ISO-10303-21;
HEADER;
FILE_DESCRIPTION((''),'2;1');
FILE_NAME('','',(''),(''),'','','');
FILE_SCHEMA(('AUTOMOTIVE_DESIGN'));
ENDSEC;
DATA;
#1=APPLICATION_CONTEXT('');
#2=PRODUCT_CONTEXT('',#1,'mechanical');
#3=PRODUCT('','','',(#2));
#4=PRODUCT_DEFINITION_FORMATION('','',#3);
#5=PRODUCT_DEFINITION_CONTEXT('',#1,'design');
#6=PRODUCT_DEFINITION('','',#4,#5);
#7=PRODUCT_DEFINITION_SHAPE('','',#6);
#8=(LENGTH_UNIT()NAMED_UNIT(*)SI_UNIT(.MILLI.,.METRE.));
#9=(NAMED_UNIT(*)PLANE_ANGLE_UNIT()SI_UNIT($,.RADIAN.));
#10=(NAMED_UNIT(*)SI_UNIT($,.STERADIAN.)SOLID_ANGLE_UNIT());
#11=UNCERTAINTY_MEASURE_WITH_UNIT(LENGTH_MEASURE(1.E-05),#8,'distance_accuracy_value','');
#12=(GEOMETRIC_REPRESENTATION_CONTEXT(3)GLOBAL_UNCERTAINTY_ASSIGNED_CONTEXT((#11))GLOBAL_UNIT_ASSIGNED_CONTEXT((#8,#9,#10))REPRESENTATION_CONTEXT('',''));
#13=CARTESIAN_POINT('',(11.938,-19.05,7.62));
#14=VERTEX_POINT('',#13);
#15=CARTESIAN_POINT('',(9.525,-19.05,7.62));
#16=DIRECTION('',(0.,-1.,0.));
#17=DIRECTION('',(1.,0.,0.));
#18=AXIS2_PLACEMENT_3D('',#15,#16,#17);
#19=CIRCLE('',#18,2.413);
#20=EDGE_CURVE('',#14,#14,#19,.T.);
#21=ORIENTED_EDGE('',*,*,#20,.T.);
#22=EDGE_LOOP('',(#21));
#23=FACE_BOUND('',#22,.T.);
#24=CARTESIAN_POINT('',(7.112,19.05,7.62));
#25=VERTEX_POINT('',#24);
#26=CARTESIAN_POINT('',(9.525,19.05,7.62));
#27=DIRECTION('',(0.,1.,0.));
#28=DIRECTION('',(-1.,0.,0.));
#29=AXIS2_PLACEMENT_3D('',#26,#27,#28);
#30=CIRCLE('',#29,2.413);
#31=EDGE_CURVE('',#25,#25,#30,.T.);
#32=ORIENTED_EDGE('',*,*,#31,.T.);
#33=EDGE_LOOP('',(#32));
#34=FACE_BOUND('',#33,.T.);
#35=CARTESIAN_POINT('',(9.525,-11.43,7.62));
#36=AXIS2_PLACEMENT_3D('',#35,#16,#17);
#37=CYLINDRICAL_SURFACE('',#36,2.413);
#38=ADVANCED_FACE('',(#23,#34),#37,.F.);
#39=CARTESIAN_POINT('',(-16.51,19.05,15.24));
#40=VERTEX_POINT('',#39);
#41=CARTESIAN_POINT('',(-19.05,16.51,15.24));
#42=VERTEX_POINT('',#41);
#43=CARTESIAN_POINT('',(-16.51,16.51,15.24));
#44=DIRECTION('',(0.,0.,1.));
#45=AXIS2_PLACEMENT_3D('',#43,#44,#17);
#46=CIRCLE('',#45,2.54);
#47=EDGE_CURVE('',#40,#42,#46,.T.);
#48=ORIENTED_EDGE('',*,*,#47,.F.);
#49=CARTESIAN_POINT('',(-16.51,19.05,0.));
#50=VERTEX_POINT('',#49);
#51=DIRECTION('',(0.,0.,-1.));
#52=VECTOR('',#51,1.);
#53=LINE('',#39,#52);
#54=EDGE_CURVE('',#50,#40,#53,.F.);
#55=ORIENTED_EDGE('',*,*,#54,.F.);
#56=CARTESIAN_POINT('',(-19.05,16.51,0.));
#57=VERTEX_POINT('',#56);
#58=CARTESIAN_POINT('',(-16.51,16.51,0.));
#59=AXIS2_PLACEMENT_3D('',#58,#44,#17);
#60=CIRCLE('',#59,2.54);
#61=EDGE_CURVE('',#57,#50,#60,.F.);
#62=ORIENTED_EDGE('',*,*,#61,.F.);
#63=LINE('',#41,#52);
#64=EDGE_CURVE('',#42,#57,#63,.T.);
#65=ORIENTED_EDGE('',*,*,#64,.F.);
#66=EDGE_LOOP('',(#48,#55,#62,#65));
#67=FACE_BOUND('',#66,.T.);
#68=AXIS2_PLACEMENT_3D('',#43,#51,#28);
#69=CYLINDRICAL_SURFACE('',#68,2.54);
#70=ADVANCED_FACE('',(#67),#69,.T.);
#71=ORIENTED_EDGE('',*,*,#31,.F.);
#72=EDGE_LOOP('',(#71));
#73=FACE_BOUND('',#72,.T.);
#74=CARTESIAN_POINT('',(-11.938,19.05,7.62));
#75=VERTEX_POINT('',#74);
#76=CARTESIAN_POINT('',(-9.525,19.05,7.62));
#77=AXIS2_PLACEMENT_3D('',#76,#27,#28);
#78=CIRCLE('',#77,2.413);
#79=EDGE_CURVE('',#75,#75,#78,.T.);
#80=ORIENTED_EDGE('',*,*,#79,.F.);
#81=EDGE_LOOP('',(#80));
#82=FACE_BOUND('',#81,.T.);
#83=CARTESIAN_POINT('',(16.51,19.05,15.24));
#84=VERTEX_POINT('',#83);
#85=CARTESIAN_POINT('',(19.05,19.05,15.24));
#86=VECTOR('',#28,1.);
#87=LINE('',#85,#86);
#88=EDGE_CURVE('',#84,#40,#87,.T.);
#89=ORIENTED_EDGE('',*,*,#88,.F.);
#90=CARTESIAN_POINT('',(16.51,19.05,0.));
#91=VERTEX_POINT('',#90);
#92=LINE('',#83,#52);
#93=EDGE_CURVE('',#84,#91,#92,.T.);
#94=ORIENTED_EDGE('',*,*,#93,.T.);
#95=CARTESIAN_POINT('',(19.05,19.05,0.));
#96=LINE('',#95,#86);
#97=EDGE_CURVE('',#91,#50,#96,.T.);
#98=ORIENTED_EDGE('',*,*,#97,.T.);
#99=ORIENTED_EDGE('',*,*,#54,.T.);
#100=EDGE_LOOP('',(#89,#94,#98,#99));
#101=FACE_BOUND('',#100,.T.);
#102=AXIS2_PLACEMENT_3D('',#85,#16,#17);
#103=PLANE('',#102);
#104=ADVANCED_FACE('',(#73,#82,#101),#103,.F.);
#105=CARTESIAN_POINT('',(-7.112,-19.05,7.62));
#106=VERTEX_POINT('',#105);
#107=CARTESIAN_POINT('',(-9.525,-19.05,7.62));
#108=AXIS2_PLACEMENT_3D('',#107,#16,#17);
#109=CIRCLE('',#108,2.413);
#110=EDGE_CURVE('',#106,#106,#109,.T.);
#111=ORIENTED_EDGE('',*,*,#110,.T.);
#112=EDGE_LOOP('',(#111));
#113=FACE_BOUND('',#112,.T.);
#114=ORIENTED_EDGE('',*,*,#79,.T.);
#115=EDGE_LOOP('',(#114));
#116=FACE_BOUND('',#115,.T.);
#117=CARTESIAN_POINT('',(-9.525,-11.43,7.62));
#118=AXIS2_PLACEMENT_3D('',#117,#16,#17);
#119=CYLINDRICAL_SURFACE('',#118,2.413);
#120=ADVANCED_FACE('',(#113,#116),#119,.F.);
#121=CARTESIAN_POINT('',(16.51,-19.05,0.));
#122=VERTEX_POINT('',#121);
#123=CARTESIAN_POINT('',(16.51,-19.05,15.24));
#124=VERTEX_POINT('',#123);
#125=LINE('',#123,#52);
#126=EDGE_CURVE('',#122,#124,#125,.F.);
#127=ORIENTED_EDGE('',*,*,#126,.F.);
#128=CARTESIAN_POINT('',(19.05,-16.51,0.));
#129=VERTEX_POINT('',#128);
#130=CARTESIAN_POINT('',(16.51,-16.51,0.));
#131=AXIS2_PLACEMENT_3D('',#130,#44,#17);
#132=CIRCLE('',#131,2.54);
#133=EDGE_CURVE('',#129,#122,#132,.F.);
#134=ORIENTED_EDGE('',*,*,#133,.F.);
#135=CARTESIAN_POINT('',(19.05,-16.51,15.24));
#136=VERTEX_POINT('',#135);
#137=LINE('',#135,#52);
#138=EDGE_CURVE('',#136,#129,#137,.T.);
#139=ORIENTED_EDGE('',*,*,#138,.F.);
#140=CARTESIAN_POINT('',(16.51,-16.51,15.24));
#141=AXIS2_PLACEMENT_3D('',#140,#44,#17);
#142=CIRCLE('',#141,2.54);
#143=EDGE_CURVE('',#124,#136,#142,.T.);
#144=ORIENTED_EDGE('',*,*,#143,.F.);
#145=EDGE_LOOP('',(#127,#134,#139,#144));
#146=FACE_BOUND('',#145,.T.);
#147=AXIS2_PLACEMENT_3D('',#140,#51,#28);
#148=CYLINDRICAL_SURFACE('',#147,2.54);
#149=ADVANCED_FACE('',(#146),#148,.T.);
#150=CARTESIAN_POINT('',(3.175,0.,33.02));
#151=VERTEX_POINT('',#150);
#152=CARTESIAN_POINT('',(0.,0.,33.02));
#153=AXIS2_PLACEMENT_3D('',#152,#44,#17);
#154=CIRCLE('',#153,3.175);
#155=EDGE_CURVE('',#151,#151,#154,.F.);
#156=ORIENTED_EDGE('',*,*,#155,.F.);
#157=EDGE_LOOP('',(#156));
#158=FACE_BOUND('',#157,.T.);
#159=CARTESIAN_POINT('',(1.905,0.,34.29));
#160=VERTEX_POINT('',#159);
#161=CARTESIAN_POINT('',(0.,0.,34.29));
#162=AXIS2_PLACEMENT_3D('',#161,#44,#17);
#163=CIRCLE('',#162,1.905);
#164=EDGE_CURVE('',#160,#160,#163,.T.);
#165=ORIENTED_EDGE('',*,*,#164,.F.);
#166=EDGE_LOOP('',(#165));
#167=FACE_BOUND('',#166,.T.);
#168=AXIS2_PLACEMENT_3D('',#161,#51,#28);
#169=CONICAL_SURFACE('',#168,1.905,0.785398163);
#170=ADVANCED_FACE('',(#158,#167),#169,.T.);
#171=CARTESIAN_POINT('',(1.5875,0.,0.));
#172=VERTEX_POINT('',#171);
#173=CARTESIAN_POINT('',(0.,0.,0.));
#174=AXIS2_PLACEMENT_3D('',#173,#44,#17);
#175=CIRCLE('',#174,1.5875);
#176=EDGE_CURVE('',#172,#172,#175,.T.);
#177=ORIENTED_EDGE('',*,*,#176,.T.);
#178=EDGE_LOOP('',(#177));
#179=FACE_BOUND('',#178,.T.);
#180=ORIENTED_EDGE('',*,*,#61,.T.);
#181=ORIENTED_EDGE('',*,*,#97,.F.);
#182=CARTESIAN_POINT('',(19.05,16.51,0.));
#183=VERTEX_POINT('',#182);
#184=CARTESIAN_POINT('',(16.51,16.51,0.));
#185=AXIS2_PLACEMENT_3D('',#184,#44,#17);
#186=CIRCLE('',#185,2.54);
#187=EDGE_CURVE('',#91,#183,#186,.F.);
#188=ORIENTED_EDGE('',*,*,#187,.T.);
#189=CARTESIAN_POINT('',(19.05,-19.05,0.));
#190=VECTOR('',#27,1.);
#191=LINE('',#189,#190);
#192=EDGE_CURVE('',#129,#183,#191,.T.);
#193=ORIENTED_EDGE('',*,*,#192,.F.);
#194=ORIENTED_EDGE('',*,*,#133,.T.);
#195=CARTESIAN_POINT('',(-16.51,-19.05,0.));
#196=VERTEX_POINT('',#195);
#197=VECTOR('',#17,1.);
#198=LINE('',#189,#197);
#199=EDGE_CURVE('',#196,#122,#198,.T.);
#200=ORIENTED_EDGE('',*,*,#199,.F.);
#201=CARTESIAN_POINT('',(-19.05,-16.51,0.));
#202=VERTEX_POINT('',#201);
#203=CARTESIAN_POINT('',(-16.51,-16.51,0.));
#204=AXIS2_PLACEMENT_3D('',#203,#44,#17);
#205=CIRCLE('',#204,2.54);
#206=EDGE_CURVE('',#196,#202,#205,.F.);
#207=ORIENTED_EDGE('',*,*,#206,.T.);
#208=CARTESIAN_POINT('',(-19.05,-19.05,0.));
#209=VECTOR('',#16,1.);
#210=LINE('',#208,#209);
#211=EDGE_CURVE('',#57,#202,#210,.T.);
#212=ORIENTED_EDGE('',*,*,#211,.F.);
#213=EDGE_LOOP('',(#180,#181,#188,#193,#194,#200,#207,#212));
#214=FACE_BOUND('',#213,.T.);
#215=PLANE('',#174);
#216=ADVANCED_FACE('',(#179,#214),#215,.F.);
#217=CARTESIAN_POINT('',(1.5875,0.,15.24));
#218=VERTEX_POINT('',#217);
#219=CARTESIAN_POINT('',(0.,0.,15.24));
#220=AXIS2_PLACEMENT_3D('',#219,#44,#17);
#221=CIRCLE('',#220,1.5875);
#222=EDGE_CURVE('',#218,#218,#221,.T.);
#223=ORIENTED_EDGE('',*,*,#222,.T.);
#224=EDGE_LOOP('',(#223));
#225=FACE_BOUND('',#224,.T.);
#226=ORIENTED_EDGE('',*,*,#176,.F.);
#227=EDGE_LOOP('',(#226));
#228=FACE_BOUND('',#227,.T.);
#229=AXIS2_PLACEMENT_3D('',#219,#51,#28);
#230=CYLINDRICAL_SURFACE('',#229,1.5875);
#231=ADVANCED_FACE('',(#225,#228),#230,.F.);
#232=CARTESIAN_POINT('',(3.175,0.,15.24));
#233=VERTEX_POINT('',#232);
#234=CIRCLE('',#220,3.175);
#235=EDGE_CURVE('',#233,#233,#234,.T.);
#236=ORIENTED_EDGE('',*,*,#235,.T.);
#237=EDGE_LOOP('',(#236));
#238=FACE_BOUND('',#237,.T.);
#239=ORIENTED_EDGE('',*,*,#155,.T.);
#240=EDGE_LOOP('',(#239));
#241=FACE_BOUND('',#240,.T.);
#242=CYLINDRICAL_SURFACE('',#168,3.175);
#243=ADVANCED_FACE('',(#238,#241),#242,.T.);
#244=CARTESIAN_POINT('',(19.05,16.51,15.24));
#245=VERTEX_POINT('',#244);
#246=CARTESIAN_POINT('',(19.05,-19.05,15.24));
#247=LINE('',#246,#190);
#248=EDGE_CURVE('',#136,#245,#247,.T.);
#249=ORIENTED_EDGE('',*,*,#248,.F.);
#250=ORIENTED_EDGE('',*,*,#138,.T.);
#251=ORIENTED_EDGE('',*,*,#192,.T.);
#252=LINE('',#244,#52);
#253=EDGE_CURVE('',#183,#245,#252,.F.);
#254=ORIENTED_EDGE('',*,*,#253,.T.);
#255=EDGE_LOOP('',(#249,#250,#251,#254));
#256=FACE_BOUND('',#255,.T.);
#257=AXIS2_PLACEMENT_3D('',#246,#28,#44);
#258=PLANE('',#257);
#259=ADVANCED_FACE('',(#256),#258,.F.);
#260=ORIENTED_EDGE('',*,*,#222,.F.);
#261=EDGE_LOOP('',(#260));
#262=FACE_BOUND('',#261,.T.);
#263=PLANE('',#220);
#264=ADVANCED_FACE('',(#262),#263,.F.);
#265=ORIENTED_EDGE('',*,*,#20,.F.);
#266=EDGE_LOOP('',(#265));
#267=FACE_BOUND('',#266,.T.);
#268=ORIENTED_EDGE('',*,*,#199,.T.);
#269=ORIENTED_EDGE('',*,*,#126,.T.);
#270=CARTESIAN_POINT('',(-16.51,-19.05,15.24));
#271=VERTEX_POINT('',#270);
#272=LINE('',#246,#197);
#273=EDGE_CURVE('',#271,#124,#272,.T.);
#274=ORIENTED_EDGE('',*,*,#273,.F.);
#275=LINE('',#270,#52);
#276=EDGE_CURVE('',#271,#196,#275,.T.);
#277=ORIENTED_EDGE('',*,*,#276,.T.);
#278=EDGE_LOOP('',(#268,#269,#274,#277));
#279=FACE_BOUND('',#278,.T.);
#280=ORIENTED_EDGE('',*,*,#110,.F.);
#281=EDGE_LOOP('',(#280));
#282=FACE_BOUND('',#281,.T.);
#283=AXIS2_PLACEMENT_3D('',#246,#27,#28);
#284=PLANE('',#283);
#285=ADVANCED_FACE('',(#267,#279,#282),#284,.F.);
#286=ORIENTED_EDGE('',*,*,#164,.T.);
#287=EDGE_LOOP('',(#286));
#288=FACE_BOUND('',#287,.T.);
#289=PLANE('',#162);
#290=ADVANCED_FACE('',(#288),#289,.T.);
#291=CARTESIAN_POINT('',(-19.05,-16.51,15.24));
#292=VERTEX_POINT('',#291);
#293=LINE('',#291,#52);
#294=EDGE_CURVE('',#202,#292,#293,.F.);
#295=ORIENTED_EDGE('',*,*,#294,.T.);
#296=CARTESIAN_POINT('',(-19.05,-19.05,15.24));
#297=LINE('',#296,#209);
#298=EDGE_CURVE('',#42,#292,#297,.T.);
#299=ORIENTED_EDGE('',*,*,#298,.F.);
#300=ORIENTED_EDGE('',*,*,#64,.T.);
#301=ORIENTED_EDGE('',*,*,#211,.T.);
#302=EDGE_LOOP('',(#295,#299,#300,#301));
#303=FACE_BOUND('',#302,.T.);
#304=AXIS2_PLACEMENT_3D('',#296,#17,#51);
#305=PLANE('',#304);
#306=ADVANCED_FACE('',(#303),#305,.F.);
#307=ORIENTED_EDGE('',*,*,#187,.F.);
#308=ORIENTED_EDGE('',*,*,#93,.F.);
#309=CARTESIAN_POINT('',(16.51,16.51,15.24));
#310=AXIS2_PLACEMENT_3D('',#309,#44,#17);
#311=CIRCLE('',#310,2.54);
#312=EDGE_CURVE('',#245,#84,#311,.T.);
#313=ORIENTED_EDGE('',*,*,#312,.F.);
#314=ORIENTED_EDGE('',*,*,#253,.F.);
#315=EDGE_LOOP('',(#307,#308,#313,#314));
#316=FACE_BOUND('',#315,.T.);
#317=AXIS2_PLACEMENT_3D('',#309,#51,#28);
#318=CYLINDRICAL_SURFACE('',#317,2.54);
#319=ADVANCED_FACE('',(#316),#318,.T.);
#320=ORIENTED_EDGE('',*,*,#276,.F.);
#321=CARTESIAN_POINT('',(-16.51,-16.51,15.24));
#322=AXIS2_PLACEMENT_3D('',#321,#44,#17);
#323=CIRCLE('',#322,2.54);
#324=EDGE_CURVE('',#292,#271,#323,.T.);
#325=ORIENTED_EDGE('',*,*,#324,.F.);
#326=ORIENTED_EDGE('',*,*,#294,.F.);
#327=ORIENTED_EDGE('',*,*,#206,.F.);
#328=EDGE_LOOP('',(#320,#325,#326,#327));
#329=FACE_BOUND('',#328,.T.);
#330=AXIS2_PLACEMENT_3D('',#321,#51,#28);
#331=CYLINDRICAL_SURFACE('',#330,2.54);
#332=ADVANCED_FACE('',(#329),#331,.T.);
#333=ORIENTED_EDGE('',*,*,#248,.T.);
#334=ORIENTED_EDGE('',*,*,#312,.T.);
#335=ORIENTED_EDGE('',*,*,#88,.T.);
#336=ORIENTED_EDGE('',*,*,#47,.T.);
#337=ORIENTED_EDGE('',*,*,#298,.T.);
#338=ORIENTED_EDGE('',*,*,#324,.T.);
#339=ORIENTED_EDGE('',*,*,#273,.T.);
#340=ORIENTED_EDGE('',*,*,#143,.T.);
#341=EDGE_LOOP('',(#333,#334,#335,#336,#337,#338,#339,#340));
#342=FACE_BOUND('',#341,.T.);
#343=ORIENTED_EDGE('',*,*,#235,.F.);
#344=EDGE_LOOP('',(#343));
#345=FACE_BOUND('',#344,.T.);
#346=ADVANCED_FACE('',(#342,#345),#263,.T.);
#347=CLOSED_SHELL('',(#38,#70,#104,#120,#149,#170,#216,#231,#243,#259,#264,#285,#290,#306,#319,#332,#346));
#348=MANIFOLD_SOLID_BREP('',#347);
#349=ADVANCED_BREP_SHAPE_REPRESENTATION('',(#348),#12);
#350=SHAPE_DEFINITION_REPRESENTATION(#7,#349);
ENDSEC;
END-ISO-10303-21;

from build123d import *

# Parameters (mm, degrees)
SKETCH1_W           = 38.1
SKETCH1_H           = 38.1
SKETCH1_R           = 1.5875
BOSS_EXTRUDE2_DEPTH = 15.24
SKETCH3_R           = 3.175
BOSS_EXTRUDE3_DEPTH = 19.05
FILLET2_R           = 2.54
CHAMFER1_SIZE       = 1.27
SKETCH4_R           = 2.413
CUT_EXTRUDE2_DEPTH  = 7.62
SKETCH5_R           = 2.413
CUT_EXTRUDE3_DEPTH  = 7.62
SKETCH6_R           = 2.413
CUT_EXTRUDE4_DEPTH  = 39.1


with BuildPart() as part:
    # Sketch1 → Boss-Extrude2 (new body)
    with BuildSketch(Plane.XY):
        Rectangle(SKETCH1_W, SKETCH1_H)
        Circle(SKETCH1_R, mode=Mode.SUBTRACT)
    extrude(amount=BOSS_EXTRUDE2_DEPTH)

    # Sketch3 → Boss-Extrude3 (add)
    with BuildSketch(Plane.XY.offset(15.24)):
        Circle(SKETCH3_R)
    extrude(amount=BOSS_EXTRUDE3_DEPTH)

    # Fillet2
    fillet2_edges = [part.edges().sort_by_distance(p)[0] for p in [
        (-19.05, 19.05, 7.62),
        (19.05, 19.05, 7.62),
        (19.05, -19.05, 7.62),
        (-19.05, -19.05, 7.62),
    ]]
    fillet(fillet2_edges, radius=FILLET2_R)

    # Chamfer1
    chamfer1_edges = [part.edges().sort_by_distance(p)[0] for p in [
        (-3.175, 0, 34.29),
    ]]
    chamfer(chamfer1_edges, length=CHAMFER1_SIZE)

    # Sketch4 → Cut-Extrude2 (cut)
    with BuildSketch(Plane.XZ.offset(19.05)):
        with Locations((-9.525, 7.62)):
            Circle(SKETCH4_R)
        with Locations((9.525, 7.62)):
            Circle(SKETCH4_R)
    extrude(amount=-CUT_EXTRUDE2_DEPTH, mode=Mode.SUBTRACT)

    # Sketch5 → Cut-Extrude3 (cut)
    with BuildSketch(Plane(origin=(0, 19.05, 0), x_dir=(1, 0, 0), z_dir=(0, 1, 0))):
        with Locations((9.525, -7.62)):
            Circle(SKETCH5_R)
        with Locations((-9.525, -7.62)):
            Circle(SKETCH5_R)
    extrude(amount=-CUT_EXTRUDE3_DEPTH, mode=Mode.SUBTRACT)

    # Sketch6 → Cut-Extrude4 (cut, through all)
    with BuildSketch(Plane(origin=(0, 19.05, 0), x_dir=(1, 0, 0), z_dir=(0, 1, 0))):
        with Locations((9.525, -7.62)):
            Circle(SKETCH6_R)
        with Locations((-9.525, -7.62)):
            Circle(SKETCH6_R)
    extrude(amount=-CUT_EXTRUDE4_DEPTH, mode=Mode.SUBTRACT)


solid = part.part
